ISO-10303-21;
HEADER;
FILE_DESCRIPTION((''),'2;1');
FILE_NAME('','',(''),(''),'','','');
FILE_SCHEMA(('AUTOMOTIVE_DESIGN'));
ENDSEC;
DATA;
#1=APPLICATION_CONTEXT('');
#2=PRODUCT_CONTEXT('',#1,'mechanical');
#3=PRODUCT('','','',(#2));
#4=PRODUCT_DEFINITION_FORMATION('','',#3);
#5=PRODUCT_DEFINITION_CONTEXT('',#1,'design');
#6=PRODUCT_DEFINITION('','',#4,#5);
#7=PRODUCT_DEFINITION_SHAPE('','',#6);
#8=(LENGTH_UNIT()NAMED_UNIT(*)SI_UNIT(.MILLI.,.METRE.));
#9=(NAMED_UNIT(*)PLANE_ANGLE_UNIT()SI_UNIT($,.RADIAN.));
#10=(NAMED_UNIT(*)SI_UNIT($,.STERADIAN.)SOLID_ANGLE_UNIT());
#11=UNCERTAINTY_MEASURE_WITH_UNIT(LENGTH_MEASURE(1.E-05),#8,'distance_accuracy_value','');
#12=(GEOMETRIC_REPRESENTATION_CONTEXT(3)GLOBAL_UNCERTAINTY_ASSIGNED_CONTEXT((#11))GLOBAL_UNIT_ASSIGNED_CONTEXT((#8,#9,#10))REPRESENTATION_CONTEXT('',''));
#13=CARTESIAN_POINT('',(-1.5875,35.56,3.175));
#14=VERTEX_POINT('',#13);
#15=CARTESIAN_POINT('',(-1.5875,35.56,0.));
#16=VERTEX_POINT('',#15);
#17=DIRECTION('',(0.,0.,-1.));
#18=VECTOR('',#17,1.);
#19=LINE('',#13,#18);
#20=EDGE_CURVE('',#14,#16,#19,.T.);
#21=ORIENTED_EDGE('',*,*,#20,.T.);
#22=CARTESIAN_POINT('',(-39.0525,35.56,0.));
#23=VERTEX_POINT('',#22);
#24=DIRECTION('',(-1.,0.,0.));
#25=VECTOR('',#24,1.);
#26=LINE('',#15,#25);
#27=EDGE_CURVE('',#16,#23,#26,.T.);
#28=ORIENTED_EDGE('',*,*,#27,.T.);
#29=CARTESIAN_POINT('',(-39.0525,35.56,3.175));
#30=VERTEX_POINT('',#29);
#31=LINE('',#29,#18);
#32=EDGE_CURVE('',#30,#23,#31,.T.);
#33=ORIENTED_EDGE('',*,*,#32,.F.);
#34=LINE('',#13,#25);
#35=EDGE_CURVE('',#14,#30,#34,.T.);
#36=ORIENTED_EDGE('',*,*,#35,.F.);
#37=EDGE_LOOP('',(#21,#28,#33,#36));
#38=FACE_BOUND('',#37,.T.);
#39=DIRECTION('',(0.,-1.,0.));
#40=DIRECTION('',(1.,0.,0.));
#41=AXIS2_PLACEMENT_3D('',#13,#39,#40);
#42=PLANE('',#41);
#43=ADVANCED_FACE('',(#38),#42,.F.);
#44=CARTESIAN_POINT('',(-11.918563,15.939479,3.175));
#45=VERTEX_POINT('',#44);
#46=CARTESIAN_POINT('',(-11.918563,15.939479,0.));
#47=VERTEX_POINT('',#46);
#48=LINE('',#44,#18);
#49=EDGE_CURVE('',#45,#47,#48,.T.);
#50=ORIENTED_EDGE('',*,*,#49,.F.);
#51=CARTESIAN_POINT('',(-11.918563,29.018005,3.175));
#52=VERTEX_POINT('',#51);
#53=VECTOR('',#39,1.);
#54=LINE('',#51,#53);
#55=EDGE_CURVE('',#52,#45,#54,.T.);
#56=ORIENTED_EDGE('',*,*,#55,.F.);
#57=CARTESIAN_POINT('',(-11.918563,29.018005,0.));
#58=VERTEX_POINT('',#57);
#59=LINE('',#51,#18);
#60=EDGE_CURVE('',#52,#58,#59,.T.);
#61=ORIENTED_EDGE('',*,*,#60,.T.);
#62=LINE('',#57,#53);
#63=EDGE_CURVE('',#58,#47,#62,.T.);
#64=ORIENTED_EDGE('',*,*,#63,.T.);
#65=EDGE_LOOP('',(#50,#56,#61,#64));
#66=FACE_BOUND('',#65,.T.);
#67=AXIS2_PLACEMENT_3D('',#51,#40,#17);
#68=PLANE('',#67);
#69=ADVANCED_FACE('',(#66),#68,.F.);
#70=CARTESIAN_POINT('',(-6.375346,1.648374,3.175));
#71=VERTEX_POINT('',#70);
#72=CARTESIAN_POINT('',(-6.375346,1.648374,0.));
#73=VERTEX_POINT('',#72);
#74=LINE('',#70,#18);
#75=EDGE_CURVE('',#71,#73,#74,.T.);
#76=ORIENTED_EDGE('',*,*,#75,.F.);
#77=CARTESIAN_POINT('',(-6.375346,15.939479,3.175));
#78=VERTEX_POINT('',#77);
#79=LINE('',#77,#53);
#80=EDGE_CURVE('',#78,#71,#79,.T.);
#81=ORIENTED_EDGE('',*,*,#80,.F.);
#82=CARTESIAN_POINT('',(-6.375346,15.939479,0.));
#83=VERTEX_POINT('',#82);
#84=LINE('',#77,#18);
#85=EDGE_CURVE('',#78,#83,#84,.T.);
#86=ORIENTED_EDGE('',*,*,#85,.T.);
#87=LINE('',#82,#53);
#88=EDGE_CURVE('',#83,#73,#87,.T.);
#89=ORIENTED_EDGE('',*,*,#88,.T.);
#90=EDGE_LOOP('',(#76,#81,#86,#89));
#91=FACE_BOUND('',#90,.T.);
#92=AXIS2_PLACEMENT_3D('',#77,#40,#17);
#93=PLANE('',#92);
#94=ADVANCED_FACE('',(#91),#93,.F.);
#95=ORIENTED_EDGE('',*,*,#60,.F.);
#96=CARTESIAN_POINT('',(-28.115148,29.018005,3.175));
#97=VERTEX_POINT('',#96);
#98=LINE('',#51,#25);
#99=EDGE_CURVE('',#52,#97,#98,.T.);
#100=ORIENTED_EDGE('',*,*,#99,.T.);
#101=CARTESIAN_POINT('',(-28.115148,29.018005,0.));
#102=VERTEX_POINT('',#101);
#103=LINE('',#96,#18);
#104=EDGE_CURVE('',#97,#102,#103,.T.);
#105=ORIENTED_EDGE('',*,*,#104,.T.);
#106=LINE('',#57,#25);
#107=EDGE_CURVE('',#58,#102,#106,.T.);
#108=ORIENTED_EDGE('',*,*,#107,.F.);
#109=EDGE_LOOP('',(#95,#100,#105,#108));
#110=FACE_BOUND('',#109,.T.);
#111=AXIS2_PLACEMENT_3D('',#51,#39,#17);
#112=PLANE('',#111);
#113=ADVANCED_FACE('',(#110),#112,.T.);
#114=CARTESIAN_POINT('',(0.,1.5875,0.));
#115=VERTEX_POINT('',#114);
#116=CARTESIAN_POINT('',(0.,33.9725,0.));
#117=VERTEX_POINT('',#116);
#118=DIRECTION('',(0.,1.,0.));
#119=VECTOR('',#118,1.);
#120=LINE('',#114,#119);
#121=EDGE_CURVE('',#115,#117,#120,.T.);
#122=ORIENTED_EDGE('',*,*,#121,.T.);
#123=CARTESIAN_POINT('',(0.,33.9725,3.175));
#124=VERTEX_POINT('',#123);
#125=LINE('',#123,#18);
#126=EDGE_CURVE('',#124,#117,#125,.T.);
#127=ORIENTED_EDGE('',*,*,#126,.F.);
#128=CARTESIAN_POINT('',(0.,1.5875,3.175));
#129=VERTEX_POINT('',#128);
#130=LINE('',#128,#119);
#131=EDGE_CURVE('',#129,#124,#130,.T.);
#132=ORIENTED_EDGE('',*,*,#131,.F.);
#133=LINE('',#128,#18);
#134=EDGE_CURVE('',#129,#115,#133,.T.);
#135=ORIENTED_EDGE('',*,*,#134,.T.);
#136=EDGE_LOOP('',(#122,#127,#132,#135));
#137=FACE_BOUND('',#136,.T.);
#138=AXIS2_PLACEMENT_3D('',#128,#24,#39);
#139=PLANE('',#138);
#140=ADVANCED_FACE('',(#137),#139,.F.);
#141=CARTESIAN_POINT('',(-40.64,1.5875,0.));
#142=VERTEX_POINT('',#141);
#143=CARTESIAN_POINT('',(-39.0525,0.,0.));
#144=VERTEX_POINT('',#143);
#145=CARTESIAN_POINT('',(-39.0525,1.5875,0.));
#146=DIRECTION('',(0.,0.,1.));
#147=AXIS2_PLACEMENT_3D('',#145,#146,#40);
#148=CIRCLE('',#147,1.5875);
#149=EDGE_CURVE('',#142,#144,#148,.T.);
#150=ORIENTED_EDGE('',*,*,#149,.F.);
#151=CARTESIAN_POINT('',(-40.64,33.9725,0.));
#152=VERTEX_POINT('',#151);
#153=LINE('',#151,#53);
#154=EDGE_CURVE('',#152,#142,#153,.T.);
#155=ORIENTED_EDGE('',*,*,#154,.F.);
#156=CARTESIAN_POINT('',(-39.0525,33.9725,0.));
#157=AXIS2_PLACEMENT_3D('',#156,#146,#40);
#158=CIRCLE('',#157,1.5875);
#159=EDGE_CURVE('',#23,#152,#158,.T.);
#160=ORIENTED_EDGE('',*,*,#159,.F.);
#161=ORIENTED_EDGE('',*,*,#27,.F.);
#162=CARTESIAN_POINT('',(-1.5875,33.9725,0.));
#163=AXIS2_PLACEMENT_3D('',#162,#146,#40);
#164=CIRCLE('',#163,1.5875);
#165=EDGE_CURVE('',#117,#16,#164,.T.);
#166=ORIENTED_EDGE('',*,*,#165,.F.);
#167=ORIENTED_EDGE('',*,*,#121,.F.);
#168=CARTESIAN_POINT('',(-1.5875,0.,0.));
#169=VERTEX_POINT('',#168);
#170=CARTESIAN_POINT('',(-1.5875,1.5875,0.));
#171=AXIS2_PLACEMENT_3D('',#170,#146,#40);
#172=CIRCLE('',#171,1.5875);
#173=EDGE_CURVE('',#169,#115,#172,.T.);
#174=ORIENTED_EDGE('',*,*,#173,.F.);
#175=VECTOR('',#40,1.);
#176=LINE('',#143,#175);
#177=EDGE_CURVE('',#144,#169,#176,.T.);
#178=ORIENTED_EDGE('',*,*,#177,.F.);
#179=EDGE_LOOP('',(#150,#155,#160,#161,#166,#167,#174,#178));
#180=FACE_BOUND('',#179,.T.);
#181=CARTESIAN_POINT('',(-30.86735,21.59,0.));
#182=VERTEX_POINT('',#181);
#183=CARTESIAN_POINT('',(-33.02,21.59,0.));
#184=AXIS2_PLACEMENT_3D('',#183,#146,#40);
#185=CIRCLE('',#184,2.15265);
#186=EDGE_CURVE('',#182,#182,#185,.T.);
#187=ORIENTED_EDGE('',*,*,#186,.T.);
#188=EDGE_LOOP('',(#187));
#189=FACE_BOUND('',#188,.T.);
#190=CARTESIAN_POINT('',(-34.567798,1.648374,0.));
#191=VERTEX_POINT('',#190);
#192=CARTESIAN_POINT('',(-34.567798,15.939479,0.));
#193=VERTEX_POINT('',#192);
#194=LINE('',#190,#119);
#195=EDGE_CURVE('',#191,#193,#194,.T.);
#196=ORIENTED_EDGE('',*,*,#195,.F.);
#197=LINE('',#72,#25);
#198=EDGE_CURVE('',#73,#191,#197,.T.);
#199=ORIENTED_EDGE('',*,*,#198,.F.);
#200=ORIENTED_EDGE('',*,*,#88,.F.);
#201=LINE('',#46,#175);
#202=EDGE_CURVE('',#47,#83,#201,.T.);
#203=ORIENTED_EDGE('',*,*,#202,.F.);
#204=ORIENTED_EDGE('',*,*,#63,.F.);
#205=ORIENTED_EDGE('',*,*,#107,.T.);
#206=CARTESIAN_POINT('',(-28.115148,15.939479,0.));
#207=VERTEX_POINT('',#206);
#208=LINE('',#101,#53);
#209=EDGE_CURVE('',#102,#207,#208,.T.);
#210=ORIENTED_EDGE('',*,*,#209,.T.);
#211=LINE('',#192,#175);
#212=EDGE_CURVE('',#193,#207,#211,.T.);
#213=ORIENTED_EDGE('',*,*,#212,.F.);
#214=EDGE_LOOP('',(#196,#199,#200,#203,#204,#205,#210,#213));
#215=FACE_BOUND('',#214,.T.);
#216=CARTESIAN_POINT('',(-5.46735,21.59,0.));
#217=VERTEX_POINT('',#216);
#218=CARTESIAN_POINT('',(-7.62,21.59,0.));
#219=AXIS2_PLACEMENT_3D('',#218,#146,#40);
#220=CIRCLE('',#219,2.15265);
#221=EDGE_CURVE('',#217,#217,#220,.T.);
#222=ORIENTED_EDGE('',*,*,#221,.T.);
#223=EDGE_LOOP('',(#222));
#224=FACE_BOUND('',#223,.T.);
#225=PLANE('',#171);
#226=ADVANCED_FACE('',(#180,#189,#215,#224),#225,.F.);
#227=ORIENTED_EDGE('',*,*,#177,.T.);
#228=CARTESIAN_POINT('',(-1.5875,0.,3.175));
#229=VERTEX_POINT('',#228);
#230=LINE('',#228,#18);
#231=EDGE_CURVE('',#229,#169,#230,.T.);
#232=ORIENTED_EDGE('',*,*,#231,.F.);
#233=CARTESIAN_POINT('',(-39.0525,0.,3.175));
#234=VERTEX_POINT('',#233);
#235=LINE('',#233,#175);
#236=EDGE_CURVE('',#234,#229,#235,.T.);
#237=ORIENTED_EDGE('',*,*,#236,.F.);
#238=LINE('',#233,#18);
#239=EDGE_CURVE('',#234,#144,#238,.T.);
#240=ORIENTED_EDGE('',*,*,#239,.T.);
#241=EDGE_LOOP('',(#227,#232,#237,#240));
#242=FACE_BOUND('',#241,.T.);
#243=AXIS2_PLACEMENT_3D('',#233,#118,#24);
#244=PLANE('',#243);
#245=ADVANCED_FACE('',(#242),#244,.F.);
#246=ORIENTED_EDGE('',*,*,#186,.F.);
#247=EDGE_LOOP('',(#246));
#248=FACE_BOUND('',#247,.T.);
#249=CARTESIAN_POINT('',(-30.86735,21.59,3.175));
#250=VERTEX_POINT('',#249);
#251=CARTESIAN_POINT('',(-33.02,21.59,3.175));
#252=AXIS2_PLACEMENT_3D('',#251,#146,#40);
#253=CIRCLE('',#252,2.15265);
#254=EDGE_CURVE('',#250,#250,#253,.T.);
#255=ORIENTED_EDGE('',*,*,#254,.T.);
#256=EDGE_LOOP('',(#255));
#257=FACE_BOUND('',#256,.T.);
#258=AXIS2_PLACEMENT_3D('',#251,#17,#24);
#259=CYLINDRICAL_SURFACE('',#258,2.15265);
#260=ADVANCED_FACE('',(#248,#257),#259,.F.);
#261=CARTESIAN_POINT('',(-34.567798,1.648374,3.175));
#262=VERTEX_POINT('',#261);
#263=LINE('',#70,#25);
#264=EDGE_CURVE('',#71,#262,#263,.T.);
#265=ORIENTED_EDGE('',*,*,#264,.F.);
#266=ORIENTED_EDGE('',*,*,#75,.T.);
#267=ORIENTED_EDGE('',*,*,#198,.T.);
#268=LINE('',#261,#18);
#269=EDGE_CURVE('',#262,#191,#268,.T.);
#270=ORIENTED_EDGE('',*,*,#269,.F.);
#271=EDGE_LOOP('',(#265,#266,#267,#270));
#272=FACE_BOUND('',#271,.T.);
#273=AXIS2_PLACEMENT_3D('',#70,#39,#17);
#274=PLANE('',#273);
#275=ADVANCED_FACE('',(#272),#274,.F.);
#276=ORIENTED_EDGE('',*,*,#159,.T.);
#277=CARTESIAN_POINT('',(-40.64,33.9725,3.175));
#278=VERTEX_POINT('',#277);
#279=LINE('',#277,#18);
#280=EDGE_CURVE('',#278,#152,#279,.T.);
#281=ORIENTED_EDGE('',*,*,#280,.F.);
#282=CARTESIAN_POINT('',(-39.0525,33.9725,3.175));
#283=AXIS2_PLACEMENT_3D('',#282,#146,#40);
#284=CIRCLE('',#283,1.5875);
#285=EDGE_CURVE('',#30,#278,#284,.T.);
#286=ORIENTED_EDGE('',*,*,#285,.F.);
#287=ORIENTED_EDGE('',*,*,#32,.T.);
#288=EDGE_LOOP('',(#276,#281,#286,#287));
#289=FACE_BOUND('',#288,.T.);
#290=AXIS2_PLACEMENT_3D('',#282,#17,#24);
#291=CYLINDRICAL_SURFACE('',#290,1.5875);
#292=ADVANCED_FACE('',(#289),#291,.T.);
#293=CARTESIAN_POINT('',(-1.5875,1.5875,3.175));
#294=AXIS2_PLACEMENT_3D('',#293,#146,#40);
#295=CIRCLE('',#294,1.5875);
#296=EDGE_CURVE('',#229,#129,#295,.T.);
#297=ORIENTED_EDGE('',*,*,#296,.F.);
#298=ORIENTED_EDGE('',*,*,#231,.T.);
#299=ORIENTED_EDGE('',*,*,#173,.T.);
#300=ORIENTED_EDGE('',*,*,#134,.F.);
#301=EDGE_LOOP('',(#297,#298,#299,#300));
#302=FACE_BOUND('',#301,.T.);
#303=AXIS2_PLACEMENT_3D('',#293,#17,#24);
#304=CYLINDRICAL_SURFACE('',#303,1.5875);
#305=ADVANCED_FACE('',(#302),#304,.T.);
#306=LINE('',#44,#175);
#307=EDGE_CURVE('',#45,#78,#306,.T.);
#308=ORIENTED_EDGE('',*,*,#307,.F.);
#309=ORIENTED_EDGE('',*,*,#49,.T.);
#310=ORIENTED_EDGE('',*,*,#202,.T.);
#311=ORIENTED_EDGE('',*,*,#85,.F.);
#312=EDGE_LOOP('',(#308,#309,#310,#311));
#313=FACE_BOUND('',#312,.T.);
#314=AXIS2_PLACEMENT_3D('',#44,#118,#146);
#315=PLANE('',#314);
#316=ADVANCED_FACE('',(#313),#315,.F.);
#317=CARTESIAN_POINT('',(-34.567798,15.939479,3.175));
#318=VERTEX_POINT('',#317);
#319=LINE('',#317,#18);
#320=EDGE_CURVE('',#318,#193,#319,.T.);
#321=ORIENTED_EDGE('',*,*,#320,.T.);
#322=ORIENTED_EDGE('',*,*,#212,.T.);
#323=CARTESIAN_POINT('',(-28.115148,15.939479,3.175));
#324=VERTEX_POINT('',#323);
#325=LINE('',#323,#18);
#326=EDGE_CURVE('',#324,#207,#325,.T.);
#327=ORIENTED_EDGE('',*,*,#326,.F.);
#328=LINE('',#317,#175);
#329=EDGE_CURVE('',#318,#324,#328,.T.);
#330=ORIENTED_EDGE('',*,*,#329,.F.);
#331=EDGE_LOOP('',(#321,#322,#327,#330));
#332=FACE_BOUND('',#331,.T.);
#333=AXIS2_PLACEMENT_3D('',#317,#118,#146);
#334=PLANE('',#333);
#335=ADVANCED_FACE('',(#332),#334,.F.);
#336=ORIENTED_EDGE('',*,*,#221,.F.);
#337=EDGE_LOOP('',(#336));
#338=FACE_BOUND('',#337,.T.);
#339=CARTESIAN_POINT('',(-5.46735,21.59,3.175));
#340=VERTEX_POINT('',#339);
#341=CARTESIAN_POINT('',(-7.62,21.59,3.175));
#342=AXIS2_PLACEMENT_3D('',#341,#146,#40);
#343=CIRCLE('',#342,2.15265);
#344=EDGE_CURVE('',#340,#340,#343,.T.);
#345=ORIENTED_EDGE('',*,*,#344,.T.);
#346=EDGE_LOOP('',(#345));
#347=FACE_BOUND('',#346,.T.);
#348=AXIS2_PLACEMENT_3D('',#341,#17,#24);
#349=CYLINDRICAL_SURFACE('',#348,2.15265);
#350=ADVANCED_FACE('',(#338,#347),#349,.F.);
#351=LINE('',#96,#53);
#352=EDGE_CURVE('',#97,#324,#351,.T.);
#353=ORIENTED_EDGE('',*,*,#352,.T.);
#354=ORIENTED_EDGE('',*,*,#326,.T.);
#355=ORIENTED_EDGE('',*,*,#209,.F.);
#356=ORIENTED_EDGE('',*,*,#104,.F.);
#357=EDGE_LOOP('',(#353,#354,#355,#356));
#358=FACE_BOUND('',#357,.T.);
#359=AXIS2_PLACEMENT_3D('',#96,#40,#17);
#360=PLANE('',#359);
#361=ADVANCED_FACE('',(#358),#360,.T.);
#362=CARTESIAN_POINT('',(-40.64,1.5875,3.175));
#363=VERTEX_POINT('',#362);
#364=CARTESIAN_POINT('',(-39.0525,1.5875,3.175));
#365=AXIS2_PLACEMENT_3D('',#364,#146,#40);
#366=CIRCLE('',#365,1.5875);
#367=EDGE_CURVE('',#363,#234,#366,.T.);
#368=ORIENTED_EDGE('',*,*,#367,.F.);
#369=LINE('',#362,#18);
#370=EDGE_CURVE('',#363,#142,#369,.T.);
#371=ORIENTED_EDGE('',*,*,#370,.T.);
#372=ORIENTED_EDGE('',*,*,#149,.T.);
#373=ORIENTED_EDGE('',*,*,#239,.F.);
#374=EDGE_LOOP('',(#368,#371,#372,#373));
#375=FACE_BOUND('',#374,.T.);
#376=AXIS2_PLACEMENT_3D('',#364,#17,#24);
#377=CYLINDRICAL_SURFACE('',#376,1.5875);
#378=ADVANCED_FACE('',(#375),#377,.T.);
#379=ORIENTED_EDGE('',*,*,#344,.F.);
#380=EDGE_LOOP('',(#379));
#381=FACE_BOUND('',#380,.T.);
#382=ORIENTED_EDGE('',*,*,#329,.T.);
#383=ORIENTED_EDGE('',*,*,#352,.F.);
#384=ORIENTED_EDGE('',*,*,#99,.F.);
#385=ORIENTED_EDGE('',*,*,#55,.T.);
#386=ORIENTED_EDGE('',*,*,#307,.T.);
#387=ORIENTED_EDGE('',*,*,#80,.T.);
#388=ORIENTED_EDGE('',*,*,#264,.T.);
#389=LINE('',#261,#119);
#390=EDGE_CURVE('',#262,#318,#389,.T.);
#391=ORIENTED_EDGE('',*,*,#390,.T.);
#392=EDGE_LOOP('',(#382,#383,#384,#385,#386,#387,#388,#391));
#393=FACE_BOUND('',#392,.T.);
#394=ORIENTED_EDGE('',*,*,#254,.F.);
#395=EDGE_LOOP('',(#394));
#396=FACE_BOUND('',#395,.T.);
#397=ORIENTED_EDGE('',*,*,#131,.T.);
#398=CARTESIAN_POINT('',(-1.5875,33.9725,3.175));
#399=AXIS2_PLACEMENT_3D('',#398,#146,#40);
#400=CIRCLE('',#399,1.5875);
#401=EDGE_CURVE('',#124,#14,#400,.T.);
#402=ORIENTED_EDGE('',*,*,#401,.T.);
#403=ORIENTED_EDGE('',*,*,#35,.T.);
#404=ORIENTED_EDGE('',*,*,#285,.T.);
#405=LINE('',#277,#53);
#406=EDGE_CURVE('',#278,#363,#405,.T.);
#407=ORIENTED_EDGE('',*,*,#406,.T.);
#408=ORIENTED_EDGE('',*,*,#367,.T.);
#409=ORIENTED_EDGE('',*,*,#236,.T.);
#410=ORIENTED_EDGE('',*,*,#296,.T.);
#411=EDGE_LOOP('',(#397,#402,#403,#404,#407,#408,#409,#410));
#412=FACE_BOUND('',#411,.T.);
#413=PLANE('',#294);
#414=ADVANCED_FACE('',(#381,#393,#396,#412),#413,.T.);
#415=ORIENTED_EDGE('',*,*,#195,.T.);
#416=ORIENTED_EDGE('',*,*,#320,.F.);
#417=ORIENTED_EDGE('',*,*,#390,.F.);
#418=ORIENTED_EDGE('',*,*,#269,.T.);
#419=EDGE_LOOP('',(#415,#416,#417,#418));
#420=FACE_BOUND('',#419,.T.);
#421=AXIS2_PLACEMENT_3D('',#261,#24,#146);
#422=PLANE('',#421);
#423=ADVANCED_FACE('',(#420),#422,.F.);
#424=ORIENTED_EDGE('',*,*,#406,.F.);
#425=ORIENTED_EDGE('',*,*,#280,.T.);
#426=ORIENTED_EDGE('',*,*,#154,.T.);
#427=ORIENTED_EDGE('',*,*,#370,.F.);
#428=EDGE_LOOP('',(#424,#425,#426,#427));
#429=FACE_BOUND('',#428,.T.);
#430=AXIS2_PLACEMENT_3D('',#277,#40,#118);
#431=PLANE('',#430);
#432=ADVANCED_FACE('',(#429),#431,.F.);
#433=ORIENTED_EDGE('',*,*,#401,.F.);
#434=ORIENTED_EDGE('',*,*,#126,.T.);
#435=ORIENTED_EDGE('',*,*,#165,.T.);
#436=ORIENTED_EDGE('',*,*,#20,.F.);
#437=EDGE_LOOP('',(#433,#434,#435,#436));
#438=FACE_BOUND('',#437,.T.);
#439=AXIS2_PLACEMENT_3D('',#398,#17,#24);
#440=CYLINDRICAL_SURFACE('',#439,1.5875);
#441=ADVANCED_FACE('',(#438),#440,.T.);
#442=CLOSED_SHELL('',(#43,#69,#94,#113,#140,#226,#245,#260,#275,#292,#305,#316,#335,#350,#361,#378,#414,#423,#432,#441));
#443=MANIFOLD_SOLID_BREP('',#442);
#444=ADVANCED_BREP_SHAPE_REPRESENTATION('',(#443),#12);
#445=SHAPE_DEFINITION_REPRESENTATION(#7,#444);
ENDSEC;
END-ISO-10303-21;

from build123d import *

# Parameters (mm, degrees)
SKETCH1_R           = 2.15265
BOSS_EXTRUDE1_DEPTH = 3.175
CUT_EXTRUDE1_DEPTH  = 55.094397353


with BuildPart() as part:
    # Sketch1 → Boss-Extrude1 (new body)
    with BuildSketch(Plane.XY):
        with BuildLine():
            Line((0, 1.5875), (0, 33.9725))
            ThreePointArc((0, 33.9725), (-0.464967985, 35.095032015), (-1.5875, 35.56))
            Line((-1.5875, 35.56), (-39.0525, 35.56))
            ThreePointArc((-39.0525, 35.56), (-40.175032015, 35.095032015), (-40.64, 33.9725))
            Line((-40.64, 33.9725), (-40.64, 1.5875))
            ThreePointArc((-40.64, 1.5875), (-40.175032015, 0.464967985), (-39.0525, 0))
            Line((-39.0525, 0), (-1.5875, 0))
            ThreePointArc((-1.5875, 0), (-0.464967985, 0.464967985), (0, 1.5875))
        make_face()
        with Locations((-7.62, 21.59)):
            Circle(SKETCH1_R, mode=Mode.SUBTRACT)
        with Locations((-33.02, 21.59)):
            Circle(SKETCH1_R, mode=Mode.SUBTRACT)
    extrude(amount=BOSS_EXTRUDE1_DEPTH)

    # Sketch2 → Cut-Extrude1 (cut, through all)
    with BuildSketch(Plane(origin=(0, 0, 0), x_dir=(-1, 0, 0), z_dir=(0, 0, -1))):
        Polygon((11.91856275, 15.939478953), (6.375346419, 15.939478953), (6.375346419, 1.648374352), (34.567798224, 1.648374352), (34.567798224, 15.939478953), (28.115147964, 15.939478953), (28.115147964, 29.018004982), (11.91856275, 29.018004982), align=None)
    extrude(amount=-CUT_EXTRUDE1_DEPTH, mode=Mode.SUBTRACT)


solid = part.part
